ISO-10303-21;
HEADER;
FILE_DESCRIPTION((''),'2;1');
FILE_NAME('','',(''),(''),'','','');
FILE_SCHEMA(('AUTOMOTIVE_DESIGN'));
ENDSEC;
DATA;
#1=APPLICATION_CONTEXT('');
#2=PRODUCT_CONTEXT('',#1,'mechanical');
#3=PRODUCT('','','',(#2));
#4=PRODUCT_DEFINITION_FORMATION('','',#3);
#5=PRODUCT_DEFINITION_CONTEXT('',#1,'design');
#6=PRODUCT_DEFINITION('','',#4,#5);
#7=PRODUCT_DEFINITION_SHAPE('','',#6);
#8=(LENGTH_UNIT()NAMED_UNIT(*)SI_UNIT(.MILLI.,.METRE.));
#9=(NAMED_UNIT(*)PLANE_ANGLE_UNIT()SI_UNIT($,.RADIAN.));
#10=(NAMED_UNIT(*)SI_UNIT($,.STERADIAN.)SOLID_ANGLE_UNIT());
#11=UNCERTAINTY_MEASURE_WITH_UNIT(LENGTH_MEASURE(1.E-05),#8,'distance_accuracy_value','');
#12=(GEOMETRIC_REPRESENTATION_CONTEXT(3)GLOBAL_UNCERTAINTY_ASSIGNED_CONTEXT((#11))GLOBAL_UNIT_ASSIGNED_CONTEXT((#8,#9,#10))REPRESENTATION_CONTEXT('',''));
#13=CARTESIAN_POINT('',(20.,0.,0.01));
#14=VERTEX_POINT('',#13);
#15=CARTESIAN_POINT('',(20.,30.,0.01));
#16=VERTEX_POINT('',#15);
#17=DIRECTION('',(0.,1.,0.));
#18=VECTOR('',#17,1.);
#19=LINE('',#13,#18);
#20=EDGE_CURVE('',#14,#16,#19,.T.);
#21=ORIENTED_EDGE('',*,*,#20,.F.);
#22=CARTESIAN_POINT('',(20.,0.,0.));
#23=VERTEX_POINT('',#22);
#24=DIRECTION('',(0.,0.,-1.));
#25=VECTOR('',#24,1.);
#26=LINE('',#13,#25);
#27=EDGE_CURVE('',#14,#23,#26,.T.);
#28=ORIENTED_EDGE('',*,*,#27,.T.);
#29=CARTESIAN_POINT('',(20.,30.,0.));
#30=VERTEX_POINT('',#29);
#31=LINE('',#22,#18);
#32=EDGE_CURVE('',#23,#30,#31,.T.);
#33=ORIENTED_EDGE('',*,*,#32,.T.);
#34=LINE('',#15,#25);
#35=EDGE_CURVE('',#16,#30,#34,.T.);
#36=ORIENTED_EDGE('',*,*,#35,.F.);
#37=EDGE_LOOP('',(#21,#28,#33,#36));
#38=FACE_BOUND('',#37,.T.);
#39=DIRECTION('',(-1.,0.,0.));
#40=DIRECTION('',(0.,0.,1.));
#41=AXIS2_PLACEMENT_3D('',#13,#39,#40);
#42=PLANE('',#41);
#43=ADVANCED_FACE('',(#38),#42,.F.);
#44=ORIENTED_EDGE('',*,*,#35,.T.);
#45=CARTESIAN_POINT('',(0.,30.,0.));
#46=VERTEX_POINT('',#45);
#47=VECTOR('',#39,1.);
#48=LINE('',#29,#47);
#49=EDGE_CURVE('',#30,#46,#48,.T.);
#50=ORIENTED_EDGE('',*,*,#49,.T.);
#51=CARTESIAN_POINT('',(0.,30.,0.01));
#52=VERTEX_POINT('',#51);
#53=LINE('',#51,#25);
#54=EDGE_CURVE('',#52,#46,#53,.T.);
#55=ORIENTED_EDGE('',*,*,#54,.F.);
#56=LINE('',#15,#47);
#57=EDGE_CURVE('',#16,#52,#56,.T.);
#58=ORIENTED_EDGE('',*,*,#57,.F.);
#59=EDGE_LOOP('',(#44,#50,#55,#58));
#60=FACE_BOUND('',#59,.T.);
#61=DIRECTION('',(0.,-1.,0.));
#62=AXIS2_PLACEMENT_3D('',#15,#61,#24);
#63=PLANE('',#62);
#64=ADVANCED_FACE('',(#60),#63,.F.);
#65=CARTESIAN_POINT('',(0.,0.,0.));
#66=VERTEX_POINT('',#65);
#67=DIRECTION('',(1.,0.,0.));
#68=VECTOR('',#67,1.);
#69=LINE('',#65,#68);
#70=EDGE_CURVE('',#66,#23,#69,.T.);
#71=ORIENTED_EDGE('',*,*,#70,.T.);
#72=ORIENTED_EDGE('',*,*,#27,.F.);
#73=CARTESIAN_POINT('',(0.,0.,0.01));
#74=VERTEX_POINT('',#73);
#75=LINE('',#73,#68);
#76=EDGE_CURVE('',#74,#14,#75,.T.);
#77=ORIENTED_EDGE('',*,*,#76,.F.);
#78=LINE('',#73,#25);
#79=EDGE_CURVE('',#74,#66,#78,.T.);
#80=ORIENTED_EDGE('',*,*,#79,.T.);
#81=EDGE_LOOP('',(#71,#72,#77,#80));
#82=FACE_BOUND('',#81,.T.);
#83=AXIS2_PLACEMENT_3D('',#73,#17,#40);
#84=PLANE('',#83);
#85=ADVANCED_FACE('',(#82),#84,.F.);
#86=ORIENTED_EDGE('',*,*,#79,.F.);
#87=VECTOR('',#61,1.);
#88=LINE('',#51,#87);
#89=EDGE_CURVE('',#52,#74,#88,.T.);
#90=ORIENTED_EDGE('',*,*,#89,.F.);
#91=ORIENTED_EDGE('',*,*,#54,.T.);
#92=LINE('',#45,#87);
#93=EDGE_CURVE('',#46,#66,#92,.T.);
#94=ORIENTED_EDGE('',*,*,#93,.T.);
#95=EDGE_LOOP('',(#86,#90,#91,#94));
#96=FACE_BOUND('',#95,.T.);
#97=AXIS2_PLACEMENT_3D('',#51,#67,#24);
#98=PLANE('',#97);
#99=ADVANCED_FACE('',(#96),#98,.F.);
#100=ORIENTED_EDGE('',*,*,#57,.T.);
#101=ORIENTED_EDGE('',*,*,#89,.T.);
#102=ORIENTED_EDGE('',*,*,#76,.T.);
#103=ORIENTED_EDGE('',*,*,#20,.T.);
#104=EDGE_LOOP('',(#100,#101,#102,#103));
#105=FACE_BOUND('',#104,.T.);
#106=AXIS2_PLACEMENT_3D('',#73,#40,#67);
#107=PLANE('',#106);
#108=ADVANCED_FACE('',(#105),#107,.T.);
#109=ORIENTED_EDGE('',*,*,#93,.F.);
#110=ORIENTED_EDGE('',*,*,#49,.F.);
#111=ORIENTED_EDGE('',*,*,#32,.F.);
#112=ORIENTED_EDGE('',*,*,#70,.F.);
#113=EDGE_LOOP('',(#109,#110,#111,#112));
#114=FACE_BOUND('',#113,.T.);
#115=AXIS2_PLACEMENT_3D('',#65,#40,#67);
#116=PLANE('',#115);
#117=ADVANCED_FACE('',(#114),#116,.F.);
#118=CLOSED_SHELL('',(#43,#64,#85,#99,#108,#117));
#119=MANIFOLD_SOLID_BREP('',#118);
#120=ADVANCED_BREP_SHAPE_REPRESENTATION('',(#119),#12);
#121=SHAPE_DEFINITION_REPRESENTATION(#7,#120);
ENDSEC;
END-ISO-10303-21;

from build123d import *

# Parameters (mm, degrees)
SKETCH_MAIN_PROFILE_W   = 20
SKETCH_MAIN_PROFILE_H   = 30
FEATURE_THIN_WALL_DEPTH = 0.01


with BuildPart() as part:
    # sketch:main-profile → feature:thin-wall (new body)
    with BuildSketch(Plane.XY):
        with Locations((10, 15)):
            Rectangle(SKETCH_MAIN_PROFILE_W, SKETCH_MAIN_PROFILE_H)
    extrude(amount=FEATURE_THIN_WALL_DEPTH)


solid = part.part
